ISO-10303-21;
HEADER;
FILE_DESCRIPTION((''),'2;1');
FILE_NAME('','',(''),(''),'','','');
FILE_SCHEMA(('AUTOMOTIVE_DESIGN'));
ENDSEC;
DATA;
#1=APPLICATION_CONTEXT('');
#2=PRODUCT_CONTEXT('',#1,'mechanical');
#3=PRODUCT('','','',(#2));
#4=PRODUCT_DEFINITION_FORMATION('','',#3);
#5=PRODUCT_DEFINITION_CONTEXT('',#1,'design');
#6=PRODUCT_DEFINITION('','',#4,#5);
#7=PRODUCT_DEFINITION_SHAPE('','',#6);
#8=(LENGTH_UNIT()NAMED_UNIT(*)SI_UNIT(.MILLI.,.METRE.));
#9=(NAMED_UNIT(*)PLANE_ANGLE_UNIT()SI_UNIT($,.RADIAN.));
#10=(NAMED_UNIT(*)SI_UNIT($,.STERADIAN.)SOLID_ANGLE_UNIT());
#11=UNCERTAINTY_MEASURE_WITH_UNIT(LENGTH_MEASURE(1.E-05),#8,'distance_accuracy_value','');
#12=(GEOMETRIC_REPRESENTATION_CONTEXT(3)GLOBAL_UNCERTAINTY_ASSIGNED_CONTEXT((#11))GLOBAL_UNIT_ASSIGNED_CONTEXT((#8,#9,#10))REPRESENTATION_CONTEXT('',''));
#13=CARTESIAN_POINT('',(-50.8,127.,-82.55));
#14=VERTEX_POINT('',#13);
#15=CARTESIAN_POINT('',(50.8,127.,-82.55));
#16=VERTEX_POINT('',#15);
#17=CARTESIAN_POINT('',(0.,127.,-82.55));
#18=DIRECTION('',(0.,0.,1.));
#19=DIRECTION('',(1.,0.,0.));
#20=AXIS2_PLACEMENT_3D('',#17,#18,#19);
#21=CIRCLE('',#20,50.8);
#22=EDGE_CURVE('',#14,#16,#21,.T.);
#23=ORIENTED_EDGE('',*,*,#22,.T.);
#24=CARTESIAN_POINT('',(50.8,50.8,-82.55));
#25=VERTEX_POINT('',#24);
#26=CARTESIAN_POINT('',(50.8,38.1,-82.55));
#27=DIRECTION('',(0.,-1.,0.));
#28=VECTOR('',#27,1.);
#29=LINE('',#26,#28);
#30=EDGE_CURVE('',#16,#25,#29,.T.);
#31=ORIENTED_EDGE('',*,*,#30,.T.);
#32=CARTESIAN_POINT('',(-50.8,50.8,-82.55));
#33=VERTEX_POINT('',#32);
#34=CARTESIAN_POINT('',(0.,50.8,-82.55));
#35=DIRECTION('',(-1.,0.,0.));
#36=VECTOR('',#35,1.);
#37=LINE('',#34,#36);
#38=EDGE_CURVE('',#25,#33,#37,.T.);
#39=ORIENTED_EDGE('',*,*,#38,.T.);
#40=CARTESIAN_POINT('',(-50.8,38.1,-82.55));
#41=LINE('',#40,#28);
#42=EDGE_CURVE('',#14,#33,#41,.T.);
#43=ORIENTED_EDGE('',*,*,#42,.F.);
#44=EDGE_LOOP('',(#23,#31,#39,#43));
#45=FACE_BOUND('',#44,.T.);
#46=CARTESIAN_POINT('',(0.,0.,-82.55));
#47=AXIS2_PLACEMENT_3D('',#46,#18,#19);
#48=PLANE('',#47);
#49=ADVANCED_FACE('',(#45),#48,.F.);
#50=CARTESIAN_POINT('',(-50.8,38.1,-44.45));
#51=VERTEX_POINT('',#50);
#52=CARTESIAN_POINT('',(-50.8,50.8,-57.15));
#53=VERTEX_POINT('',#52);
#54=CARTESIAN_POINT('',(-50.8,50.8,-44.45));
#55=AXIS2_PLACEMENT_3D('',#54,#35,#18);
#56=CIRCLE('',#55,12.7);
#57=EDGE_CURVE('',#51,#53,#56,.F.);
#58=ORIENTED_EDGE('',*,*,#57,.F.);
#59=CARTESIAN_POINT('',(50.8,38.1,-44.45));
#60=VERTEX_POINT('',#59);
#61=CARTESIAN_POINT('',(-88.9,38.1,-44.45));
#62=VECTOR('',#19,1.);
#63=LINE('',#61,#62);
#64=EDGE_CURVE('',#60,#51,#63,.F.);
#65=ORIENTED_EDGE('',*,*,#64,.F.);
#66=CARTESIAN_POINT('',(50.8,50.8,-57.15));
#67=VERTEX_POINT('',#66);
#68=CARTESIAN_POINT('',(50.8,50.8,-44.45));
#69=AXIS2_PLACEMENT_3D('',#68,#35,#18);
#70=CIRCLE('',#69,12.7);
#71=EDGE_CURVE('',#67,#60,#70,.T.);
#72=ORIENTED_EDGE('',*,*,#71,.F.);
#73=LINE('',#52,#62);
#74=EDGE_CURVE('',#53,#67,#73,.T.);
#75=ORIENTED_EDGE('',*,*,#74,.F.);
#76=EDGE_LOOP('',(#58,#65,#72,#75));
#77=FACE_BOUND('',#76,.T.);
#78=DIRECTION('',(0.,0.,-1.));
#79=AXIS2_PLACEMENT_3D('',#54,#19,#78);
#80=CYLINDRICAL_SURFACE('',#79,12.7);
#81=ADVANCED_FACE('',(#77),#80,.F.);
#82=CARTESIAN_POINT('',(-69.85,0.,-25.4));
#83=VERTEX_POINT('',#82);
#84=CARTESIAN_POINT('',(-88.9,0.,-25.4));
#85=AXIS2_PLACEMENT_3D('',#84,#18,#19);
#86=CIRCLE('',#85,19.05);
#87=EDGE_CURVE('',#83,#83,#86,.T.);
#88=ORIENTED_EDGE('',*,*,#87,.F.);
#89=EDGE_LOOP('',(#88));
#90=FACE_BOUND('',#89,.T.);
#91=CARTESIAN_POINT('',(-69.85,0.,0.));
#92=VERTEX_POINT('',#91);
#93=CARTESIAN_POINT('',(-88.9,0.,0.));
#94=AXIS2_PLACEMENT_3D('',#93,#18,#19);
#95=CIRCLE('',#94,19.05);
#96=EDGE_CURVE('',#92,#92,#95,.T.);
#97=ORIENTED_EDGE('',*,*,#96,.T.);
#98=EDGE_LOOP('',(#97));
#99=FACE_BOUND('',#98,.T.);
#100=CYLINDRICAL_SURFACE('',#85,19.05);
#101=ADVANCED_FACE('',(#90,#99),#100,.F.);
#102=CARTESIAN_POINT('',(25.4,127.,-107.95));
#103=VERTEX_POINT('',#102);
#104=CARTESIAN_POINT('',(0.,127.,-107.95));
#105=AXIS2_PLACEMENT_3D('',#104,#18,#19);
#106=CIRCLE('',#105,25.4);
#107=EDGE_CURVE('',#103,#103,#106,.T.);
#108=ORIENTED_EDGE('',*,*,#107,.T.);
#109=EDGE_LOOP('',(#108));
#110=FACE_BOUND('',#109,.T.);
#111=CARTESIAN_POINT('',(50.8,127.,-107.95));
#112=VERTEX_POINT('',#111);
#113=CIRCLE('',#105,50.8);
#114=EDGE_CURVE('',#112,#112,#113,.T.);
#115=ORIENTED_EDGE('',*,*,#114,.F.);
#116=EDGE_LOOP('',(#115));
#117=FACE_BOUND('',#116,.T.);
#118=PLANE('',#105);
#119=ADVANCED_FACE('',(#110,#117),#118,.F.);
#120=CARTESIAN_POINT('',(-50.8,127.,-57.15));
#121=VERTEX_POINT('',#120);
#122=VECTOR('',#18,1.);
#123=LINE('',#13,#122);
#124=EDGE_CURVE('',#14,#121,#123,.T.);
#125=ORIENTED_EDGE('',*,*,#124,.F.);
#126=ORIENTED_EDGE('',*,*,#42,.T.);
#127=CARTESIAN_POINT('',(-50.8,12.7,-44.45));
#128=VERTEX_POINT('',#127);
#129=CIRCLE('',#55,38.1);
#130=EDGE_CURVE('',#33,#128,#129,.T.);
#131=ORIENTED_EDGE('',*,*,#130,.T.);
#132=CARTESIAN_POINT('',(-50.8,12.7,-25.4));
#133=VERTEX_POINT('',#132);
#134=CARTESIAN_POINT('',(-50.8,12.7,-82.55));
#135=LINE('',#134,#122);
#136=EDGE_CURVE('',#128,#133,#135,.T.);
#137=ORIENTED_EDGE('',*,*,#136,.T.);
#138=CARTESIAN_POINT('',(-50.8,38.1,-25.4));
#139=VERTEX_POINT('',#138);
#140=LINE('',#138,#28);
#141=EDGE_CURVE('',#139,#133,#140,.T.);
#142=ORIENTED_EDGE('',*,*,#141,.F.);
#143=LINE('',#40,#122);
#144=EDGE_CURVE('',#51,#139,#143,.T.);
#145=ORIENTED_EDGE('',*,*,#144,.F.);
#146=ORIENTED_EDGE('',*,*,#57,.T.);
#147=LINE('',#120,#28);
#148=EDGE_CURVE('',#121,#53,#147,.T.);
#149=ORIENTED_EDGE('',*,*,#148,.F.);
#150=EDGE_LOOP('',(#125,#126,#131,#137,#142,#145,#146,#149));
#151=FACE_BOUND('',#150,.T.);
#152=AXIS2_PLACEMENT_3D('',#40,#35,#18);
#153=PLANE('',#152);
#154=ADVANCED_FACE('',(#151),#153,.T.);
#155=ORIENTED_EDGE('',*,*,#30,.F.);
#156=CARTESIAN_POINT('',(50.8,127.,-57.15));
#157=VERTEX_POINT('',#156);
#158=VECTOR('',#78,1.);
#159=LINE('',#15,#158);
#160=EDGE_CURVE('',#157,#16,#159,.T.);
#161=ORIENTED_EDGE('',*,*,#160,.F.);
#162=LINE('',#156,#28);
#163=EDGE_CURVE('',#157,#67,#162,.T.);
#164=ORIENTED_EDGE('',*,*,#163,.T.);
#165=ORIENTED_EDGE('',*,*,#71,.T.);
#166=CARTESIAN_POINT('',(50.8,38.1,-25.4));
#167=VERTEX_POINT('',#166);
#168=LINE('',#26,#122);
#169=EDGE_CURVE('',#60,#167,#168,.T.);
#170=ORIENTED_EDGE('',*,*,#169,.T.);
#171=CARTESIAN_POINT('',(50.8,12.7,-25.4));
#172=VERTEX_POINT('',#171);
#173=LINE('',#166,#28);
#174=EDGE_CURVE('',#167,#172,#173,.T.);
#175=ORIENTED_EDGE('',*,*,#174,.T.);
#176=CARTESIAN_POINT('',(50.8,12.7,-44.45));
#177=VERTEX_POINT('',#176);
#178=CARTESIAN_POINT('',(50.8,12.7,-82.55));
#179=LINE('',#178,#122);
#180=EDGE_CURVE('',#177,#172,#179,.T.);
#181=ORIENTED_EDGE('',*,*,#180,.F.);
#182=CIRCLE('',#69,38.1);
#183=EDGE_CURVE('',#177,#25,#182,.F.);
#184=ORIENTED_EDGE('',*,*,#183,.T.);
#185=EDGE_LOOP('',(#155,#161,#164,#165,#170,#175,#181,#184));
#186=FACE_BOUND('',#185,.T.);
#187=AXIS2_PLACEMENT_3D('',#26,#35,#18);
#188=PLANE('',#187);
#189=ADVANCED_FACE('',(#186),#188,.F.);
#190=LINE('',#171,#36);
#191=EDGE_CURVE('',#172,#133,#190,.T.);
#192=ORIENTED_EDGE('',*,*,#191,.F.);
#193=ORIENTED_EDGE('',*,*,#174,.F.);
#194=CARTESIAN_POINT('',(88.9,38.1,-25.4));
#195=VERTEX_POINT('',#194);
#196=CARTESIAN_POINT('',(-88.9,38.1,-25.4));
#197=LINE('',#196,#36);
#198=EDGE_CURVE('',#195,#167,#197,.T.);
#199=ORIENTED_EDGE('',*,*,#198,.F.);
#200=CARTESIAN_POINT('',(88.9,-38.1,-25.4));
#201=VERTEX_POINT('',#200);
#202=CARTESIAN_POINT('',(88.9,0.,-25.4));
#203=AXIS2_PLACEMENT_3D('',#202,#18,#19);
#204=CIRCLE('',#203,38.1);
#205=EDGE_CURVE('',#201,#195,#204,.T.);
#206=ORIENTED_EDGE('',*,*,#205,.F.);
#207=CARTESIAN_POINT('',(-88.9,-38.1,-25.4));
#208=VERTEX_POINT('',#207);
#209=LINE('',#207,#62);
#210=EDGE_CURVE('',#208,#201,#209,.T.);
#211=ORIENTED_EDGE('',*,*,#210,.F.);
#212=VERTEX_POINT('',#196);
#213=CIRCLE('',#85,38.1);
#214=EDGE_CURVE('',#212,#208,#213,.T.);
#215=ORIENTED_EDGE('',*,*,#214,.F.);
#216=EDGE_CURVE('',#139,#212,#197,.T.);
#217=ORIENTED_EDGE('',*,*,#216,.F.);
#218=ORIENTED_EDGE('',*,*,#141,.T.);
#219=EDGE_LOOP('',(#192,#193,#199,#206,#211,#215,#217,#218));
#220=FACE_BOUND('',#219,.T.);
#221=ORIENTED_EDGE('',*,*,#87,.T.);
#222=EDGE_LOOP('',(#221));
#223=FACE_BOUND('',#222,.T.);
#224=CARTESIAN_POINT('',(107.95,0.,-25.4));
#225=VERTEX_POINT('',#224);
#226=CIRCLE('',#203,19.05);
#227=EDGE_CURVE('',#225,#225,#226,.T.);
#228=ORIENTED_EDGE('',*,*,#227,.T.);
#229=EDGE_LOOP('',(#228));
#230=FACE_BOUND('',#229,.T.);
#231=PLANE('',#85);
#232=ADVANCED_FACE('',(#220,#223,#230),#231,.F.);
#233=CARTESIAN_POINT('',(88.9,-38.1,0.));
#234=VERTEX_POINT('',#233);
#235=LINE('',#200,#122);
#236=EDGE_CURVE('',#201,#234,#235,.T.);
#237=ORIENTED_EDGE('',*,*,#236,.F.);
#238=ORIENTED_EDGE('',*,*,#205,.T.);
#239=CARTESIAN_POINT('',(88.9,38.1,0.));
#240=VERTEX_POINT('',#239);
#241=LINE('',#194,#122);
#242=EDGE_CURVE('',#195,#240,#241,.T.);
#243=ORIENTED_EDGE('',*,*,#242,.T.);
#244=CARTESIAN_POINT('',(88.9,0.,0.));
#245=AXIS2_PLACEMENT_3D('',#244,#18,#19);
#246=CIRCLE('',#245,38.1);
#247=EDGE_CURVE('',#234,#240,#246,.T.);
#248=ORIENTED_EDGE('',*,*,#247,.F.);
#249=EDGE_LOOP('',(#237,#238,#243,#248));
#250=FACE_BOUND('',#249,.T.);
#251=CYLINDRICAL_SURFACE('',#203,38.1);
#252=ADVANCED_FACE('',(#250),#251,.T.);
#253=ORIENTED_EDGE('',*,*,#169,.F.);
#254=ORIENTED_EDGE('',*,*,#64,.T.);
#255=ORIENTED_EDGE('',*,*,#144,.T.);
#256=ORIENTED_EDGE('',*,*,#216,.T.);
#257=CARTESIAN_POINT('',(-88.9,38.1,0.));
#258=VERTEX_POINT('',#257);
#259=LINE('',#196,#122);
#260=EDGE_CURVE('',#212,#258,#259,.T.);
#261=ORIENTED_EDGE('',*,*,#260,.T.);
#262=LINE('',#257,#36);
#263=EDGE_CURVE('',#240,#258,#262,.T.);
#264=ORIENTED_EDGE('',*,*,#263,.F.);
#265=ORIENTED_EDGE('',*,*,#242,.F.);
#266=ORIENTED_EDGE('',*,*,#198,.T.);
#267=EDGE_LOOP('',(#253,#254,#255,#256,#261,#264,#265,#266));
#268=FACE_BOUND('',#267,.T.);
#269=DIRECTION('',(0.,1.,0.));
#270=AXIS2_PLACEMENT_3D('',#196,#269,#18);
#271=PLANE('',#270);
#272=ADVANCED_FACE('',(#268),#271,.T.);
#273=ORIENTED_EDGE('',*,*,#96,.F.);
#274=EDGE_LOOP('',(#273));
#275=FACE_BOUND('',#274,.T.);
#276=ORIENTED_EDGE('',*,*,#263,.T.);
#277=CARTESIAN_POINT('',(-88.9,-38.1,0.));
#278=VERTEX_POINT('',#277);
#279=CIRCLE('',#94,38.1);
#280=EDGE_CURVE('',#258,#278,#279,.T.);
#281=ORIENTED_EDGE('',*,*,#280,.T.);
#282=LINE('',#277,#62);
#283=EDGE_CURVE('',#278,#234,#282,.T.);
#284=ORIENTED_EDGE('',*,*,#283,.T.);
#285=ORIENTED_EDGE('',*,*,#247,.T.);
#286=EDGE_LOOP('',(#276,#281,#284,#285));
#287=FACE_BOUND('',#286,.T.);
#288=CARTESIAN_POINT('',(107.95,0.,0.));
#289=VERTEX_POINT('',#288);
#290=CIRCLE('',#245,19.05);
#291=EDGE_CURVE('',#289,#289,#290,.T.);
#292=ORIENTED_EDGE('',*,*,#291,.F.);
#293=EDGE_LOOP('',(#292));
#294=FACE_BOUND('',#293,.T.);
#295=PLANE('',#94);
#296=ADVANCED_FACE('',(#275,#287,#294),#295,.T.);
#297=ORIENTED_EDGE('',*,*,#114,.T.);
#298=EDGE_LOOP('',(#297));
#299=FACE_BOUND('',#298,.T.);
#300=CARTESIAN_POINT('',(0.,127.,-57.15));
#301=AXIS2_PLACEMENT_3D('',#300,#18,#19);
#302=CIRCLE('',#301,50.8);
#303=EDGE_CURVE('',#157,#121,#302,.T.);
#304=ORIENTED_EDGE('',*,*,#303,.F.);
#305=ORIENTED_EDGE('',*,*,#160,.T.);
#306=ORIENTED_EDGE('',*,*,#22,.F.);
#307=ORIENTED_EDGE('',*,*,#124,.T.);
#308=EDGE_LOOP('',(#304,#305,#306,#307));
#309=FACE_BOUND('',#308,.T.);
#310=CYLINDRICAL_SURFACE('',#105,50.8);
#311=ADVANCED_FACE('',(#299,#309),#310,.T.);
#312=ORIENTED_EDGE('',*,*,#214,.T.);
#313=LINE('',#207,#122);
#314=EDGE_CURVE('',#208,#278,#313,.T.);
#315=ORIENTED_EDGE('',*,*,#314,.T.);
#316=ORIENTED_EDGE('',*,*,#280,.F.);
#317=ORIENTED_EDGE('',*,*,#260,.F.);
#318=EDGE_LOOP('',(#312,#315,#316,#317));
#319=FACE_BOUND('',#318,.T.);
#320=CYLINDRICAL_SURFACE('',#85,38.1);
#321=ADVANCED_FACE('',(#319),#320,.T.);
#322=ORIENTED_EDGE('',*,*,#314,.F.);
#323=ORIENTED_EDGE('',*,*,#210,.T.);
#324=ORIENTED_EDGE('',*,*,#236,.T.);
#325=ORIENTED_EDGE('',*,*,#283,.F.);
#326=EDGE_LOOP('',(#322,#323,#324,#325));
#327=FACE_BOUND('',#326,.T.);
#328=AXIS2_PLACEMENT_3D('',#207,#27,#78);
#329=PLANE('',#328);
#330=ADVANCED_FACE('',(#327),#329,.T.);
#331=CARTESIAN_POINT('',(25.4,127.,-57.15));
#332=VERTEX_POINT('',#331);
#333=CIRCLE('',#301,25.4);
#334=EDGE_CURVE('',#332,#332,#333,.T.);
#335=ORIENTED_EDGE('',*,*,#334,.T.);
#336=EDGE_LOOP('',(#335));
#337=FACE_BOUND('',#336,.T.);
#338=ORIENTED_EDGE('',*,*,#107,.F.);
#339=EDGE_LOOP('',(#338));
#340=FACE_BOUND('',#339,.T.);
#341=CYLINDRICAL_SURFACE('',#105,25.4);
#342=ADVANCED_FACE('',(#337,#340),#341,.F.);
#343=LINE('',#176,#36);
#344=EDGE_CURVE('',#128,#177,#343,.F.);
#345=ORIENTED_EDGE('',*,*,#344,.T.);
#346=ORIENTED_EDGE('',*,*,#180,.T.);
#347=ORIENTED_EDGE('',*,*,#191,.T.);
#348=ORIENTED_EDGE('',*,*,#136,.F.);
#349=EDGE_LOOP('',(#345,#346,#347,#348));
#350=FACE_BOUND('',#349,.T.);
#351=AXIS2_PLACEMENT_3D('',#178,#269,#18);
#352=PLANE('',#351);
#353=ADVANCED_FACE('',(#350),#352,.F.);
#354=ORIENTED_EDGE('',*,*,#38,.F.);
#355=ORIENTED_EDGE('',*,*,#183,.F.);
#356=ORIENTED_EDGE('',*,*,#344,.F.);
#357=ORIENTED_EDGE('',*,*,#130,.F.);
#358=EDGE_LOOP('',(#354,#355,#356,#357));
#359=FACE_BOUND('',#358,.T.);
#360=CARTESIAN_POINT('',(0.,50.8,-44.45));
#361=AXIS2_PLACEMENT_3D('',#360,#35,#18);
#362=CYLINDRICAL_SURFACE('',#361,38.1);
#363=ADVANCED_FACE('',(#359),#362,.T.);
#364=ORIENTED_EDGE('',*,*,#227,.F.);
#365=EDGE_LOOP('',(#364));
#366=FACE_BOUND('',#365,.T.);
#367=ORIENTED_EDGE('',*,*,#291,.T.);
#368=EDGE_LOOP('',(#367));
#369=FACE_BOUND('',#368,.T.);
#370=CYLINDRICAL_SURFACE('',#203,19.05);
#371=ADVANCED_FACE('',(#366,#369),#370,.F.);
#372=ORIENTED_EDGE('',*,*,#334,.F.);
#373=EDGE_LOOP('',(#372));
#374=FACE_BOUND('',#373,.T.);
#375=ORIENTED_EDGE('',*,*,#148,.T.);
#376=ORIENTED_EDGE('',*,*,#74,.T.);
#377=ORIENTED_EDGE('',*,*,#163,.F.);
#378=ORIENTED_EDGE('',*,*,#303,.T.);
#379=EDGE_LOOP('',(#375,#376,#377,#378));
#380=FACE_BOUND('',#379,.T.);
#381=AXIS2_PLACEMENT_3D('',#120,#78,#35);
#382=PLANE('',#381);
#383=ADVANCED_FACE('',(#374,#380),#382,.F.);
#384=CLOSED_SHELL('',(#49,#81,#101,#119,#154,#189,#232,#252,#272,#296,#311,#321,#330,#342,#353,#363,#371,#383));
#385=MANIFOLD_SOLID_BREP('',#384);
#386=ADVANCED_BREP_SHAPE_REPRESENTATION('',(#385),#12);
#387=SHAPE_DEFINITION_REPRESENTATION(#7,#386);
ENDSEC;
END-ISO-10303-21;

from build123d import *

# Parameters (mm, degrees)
SKETCH1_R           = 19.05
BOSS_EXTRUDE1_DEPTH = 25.4
SKETCH2_W           = 101.6
SKETCH2_H           = 25.4
BOSS_EXTRUDE2_DEPTH = 57.15
SKETCH5_W           = 101.6
SKETCH5_H           = 25.4
BOSS_EXTRUDE3_DEPTH = 88.9
SKETCH6_R           = 50.8
BOSS_EXTRUDE4_DEPTH = 50.8
SKETCH7_R           = 25.4
CUT_EXTRUDE1_DEPTH  = 50.8
FILLET1_R           = 12.7
FILLET2_R           = 38.1


with BuildPart() as part:
    # Sketch1 → Boss-Extrude1 (new body)
    with BuildSketch(Plane.XY):
        with BuildLine():
            Line((-88.9, 38.1), (88.9, 38.1))
            ThreePointArc((88.9, 38.1), (127, 0), (88.9, -38.1))
            Line((88.9, -38.1), (-88.9, -38.1))
            ThreePointArc((-88.9, -38.1), (-127, 0), (-88.9, 38.1))
        make_face()
        with Locations((-88.9, 0)):
            Circle(SKETCH1_R, mode=Mode.SUBTRACT)
        with Locations((88.9, 0)):
            Circle(SKETCH1_R, mode=Mode.SUBTRACT)
    extrude(amount=-BOSS_EXTRUDE1_DEPTH)

    # Sketch2 → Boss-Extrude2 (add)
    with BuildSketch(Plane(origin=(0, 0, -25.4), x_dir=(-1, 0, 0), z_dir=(0, 0, -1))):
        with Locations((0, 25.4)):
            Rectangle(SKETCH2_W, SKETCH2_H)
    extrude(amount=BOSS_EXTRUDE2_DEPTH)

    # Sketch5 → Boss-Extrude3 (add)
    with BuildSketch(Plane(origin=(0, 38.1, 0), x_dir=(1, 0, 0), z_dir=(0, 1, 0))):
        with Locations((0, 69.85)):
            Rectangle(SKETCH5_W, SKETCH5_H)
    extrude(amount=BOSS_EXTRUDE3_DEPTH)

    # Sketch6 → Boss-Extrude4 (add)
    with BuildSketch(Plane.XY.offset(-57.15)):
        with Locations((0, 127)):
            Circle(SKETCH6_R)
    extrude(amount=-BOSS_EXTRUDE4_DEPTH)

    # Sketch7 → Cut-Extrude1 (cut)
    with BuildSketch(Plane.XY.offset(-57.15)):
        with Locations((0, 127)):
            Circle(SKETCH7_R)
    extrude(amount=-CUT_EXTRUDE1_DEPTH, mode=Mode.SUBTRACT)

    # Fillet1
    fillet1_edges = [part.edges().sort_by_distance(p)[0] for p in [
        (0, 38.1, -57.15),
    ]]
    fillet(fillet1_edges, radius=FILLET1_R)

    # Fillet2
    fillet2_edges = [part.edges().sort_by_distance(p)[0] for p in [
        (0, 12.7, -82.55),
    ]]
    fillet(fillet2_edges, radius=FILLET2_R)


solid = part.part
